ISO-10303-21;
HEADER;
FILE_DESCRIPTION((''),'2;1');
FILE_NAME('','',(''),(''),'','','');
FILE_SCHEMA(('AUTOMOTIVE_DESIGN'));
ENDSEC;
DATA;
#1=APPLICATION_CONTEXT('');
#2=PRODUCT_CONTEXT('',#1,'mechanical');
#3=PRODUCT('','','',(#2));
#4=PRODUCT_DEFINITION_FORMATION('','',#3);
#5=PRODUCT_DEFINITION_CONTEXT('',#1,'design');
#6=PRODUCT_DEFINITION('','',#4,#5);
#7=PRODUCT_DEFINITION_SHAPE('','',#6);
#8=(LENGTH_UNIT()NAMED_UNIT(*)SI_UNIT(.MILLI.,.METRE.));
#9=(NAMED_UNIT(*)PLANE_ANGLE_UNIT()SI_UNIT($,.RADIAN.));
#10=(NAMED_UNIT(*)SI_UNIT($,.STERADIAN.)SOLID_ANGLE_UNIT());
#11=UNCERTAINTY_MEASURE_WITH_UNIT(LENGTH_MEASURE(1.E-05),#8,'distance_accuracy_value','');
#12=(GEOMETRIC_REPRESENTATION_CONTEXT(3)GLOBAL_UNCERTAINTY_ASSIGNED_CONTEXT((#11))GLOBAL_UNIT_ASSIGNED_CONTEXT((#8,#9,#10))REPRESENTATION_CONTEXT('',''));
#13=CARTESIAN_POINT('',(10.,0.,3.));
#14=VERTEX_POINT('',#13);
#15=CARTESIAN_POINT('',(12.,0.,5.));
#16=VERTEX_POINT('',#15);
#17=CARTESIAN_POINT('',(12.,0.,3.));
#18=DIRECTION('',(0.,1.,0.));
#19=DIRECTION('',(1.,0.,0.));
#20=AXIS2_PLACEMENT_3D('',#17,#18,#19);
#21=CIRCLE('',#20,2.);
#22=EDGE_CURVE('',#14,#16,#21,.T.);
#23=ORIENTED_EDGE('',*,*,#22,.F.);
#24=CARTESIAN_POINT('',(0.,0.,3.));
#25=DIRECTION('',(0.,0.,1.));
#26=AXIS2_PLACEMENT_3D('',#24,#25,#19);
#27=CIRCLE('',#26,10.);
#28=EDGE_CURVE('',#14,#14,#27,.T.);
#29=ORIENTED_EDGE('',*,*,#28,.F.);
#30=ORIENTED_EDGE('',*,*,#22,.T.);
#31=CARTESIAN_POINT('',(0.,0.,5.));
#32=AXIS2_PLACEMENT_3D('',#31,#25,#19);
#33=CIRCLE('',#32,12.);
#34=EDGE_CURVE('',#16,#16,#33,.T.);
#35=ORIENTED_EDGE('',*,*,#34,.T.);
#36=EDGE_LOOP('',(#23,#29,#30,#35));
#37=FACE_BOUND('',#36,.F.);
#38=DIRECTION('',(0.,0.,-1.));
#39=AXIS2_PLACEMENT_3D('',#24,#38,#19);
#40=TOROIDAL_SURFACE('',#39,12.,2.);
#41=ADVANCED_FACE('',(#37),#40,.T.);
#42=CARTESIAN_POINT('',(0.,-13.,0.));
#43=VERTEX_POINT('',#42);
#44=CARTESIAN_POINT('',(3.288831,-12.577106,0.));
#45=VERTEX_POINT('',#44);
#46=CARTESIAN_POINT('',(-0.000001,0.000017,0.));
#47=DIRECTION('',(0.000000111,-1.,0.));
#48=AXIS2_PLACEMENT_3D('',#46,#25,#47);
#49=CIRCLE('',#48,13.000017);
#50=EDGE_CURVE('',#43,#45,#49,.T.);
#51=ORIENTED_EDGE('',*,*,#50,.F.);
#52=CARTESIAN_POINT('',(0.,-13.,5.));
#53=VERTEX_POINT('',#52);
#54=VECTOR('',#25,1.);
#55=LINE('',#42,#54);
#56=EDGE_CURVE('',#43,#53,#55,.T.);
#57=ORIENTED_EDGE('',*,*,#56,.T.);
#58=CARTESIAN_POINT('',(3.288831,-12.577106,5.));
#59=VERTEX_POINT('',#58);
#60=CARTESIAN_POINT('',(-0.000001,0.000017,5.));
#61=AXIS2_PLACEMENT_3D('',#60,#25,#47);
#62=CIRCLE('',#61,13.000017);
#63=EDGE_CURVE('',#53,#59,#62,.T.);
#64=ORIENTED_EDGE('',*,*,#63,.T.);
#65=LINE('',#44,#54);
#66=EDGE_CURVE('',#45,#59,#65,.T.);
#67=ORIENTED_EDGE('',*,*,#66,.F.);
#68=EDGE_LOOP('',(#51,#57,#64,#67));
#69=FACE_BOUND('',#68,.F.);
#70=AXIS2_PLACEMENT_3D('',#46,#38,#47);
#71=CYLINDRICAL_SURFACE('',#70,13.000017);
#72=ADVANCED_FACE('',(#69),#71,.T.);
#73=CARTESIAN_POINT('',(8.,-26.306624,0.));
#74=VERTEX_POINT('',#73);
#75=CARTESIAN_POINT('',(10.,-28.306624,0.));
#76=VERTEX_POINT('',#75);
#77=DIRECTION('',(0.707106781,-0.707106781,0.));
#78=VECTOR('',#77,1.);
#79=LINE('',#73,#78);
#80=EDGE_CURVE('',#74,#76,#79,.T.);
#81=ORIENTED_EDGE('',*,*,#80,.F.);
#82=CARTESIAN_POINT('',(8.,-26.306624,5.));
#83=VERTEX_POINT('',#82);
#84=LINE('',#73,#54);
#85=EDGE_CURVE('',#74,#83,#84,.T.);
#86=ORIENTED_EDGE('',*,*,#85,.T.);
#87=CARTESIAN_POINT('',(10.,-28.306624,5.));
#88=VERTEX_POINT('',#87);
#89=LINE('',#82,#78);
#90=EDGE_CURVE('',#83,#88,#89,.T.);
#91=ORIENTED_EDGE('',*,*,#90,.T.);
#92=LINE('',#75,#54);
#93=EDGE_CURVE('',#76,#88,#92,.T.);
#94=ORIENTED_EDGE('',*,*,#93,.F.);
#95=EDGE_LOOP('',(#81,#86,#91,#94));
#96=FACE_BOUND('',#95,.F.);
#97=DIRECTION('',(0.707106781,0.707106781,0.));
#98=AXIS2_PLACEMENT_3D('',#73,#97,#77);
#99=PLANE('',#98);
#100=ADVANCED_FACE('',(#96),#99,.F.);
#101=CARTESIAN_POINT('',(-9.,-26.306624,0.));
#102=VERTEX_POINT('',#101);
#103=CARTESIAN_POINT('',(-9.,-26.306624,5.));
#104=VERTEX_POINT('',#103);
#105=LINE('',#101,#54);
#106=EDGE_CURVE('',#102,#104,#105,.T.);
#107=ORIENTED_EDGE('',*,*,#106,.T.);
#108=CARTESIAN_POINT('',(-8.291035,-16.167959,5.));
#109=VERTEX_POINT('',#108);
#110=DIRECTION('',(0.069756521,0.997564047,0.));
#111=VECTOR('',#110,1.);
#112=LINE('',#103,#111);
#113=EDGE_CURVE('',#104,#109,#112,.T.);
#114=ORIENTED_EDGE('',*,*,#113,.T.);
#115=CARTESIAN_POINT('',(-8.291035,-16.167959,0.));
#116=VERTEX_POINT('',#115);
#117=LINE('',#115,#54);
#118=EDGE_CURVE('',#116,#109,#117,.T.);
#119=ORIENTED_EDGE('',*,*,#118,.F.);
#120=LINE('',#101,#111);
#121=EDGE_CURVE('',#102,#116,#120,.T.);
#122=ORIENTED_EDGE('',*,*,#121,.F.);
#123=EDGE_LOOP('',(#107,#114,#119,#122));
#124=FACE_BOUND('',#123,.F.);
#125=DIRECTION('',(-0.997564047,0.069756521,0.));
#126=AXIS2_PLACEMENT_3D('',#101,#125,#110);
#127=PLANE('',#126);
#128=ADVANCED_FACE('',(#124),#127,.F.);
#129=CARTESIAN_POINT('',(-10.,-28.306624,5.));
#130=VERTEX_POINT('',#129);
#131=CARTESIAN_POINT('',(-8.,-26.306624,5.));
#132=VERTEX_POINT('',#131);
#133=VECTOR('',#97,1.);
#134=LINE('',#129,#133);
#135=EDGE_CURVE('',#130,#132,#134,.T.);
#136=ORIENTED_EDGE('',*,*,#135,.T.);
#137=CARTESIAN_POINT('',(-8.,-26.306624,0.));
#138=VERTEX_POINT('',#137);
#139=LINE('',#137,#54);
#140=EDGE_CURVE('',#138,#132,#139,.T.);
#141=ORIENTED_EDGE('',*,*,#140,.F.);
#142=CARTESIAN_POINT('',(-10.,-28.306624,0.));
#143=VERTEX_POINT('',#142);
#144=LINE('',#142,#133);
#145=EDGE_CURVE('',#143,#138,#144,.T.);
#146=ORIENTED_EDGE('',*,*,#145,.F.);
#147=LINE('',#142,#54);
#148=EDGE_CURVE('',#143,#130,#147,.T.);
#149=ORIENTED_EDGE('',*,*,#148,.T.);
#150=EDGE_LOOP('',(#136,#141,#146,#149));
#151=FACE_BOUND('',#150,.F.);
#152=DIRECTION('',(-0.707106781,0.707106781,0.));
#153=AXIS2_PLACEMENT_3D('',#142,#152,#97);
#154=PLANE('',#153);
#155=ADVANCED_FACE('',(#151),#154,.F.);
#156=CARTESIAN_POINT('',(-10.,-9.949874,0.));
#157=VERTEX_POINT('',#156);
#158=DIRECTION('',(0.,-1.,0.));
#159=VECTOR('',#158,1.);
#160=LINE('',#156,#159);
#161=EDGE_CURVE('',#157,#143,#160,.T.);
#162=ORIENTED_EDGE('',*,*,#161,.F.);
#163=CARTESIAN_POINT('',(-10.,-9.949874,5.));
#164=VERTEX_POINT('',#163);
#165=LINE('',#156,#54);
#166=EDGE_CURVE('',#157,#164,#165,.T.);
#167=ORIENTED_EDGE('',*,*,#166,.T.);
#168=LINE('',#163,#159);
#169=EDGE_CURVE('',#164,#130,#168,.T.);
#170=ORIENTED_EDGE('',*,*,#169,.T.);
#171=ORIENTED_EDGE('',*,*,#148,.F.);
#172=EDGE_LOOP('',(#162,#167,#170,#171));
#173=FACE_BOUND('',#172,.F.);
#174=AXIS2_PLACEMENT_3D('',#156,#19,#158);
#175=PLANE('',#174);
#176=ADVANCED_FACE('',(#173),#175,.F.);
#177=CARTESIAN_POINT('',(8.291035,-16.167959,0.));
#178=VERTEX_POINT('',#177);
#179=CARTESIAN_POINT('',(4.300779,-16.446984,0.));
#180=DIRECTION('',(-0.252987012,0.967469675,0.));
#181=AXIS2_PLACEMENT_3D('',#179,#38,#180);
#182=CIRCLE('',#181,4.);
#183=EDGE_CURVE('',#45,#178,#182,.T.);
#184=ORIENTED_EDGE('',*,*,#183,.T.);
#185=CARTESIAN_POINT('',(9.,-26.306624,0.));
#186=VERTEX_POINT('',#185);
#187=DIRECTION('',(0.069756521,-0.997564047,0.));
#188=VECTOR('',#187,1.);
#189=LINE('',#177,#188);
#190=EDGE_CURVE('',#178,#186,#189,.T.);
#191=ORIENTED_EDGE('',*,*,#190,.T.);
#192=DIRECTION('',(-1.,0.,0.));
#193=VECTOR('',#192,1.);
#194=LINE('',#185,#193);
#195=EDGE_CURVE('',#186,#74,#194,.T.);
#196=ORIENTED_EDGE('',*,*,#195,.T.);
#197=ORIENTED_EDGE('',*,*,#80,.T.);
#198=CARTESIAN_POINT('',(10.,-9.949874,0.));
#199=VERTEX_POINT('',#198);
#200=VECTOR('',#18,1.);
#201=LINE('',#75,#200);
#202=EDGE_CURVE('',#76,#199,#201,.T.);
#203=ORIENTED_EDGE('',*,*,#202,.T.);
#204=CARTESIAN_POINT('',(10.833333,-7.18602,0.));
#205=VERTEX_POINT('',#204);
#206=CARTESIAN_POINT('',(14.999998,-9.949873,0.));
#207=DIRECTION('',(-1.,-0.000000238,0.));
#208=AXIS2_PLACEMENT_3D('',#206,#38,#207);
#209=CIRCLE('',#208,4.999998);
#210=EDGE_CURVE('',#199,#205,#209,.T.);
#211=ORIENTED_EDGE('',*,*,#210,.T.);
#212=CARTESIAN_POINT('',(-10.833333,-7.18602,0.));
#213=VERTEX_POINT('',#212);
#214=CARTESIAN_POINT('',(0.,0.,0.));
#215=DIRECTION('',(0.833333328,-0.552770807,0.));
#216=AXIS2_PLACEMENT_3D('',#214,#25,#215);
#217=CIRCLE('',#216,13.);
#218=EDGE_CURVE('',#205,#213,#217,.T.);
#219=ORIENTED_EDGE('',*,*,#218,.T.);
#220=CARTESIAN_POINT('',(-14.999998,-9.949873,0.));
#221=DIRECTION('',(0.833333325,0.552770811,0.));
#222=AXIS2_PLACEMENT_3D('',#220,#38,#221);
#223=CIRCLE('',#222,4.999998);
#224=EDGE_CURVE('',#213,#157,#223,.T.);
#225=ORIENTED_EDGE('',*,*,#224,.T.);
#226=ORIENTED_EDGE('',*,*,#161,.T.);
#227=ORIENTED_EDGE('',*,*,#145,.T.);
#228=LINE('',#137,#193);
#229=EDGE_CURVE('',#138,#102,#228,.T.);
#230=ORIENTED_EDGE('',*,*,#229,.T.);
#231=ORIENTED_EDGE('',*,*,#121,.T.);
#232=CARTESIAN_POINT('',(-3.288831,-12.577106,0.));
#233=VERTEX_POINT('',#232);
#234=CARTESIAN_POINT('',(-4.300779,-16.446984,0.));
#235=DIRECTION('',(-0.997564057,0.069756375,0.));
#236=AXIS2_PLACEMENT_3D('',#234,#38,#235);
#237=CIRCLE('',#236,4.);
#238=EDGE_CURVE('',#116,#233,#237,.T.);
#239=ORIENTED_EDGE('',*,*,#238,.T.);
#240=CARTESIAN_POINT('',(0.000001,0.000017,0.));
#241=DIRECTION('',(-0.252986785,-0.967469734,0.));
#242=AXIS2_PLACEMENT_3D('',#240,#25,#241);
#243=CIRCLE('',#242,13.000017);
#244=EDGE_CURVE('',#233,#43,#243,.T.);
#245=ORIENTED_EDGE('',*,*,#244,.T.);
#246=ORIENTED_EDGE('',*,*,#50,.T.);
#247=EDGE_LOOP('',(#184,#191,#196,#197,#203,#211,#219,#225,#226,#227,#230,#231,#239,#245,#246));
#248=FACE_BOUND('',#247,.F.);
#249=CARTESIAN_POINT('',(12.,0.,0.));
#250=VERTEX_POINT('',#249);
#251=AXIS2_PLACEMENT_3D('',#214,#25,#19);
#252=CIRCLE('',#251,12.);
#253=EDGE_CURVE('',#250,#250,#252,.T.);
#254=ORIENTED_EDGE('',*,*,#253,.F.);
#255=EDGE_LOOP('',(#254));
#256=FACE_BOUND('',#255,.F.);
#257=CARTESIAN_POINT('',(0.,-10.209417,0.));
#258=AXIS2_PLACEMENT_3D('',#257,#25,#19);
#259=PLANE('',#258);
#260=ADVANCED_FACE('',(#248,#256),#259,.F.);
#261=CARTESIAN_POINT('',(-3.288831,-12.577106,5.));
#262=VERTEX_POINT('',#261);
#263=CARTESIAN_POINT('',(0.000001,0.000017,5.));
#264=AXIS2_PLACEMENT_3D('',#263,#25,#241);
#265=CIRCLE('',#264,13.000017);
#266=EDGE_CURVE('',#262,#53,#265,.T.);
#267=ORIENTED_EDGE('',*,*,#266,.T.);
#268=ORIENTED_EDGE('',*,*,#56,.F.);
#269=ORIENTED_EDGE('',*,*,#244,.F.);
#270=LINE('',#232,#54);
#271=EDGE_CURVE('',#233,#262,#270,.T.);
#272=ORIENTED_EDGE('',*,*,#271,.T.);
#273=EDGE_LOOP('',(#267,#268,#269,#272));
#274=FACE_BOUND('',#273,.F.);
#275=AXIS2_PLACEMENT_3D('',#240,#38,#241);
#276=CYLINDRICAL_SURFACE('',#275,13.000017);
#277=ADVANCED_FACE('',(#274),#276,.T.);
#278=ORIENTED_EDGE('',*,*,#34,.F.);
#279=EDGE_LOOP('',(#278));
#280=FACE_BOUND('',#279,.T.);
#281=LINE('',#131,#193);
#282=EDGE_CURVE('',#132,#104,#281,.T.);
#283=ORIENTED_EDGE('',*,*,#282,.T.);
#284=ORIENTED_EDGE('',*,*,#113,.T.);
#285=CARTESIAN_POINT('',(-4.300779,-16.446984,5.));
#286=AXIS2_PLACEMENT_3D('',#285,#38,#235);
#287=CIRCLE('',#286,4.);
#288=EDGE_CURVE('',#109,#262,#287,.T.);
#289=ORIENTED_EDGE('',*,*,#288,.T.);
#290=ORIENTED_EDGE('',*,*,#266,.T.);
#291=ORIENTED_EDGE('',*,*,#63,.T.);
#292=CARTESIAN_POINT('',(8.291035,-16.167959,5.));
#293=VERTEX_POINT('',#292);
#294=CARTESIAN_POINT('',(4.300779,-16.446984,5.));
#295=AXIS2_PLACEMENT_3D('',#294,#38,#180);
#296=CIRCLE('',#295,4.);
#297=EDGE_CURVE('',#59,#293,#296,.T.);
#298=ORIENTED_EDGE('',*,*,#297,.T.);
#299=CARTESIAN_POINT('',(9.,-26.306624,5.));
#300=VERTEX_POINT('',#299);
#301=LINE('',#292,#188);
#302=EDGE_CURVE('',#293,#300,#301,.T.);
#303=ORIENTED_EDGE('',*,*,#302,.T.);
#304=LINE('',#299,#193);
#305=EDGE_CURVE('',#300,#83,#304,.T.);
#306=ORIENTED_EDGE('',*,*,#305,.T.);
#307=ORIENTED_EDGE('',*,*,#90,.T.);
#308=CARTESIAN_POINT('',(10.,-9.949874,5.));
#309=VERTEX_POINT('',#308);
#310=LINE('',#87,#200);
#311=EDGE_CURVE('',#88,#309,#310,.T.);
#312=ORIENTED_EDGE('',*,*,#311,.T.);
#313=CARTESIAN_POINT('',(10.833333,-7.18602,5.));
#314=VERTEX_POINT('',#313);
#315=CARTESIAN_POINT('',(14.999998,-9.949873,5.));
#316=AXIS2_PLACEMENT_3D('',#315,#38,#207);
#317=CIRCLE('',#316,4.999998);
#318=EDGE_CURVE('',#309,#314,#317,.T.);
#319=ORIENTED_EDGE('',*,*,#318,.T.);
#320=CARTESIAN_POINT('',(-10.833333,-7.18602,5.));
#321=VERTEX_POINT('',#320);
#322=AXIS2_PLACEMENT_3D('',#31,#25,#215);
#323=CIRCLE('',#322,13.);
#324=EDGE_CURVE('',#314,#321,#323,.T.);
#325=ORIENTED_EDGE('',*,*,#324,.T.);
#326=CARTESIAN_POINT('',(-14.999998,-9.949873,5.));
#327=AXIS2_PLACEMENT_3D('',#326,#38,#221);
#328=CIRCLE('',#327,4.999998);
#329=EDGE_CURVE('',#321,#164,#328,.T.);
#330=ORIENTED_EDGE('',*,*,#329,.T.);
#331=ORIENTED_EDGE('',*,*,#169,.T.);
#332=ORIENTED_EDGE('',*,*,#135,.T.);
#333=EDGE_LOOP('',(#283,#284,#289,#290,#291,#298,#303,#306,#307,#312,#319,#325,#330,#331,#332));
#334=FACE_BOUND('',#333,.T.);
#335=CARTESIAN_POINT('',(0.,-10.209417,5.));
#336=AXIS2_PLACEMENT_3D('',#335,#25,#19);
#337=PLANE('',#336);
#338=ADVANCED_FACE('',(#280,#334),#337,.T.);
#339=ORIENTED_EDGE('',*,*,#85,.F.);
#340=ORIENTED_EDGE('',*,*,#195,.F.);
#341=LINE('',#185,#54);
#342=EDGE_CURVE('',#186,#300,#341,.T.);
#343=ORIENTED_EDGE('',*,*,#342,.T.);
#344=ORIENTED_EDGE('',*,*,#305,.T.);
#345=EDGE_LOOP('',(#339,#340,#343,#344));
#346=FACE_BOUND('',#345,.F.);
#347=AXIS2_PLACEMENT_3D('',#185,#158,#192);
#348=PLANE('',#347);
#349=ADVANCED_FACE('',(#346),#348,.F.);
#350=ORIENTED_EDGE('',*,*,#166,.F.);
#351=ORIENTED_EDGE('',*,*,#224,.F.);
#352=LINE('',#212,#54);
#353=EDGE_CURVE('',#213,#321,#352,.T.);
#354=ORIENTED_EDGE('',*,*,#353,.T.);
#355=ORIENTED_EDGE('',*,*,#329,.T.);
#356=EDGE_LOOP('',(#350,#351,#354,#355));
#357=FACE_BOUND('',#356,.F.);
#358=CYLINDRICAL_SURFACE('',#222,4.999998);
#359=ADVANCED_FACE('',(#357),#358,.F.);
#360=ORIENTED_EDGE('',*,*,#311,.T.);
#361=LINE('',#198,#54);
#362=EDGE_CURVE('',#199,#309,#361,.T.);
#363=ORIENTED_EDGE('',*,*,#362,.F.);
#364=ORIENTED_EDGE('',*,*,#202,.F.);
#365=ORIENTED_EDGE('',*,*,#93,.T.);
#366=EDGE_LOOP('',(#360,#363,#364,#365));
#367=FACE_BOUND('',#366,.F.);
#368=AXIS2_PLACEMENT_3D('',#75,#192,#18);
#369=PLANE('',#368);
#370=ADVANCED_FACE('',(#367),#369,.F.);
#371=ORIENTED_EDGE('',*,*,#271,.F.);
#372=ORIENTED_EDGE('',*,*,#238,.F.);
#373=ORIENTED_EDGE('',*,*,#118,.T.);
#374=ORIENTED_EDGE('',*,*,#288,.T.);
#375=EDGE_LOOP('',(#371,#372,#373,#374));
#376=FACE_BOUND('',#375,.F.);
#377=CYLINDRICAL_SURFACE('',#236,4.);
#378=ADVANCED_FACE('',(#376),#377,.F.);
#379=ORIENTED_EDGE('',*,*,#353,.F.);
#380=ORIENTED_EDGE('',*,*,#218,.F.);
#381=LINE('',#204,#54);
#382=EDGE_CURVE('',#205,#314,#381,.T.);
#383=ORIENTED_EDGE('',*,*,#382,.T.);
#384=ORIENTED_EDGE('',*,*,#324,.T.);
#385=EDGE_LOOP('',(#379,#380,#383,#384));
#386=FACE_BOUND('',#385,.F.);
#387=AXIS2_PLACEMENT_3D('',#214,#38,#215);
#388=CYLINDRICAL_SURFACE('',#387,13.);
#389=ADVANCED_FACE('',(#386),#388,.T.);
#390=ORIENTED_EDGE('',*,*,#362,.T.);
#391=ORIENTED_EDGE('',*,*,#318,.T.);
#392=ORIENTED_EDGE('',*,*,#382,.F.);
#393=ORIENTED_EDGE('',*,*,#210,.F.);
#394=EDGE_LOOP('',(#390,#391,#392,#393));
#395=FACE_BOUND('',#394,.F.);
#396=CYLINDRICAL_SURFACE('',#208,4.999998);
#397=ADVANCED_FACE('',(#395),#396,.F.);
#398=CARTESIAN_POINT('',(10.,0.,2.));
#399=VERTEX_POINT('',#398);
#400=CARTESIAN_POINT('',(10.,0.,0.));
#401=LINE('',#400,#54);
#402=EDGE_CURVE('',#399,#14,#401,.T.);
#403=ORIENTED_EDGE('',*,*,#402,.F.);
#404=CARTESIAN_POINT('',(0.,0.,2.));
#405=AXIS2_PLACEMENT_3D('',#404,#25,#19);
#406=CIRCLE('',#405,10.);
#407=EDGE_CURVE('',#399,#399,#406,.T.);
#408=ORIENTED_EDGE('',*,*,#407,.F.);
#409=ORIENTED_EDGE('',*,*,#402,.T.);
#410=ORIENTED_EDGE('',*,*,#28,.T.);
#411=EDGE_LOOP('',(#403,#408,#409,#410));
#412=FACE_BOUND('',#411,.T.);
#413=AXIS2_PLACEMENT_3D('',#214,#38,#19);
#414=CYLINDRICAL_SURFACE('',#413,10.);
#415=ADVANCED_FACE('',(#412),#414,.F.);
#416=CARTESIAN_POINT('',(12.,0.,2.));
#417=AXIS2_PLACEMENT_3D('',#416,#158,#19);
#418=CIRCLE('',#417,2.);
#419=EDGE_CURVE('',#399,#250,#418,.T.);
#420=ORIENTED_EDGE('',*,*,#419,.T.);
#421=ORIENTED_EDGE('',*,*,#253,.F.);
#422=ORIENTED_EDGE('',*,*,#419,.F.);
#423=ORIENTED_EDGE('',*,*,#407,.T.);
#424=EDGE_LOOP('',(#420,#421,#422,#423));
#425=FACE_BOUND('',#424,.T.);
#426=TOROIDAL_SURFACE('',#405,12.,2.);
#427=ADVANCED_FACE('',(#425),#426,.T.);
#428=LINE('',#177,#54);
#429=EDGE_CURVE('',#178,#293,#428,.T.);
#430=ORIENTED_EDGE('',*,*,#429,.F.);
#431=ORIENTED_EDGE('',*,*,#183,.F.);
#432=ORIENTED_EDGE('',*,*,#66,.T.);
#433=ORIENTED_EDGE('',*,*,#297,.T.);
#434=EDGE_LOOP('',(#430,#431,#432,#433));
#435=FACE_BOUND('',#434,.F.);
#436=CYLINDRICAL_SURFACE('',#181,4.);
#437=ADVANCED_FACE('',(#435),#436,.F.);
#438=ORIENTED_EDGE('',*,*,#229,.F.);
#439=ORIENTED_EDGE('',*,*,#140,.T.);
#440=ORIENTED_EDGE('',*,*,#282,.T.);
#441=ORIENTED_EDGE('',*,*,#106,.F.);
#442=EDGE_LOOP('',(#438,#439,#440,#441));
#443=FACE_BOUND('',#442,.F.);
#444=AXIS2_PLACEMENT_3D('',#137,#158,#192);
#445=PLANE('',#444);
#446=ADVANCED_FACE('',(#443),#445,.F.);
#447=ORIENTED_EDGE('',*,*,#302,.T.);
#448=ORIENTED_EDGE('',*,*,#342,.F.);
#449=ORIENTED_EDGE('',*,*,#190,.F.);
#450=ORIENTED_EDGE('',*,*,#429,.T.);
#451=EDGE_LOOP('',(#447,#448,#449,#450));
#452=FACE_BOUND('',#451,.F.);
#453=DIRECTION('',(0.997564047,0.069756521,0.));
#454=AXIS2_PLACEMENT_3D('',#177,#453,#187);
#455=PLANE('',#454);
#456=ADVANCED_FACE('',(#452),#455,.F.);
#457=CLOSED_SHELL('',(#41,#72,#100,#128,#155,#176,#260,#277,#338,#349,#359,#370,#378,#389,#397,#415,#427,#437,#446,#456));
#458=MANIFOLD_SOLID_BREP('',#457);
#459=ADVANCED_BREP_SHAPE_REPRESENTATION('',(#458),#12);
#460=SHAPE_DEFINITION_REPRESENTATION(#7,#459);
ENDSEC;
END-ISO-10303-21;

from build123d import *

# Parameters (mm, degrees)
F0_R     = 10
F1_DEPTH = 5
F2_R     = 2


with BuildPart() as f1:
    # F0 (on Top) → F1 (new body)
    with BuildSketch(Plane.XY):
        with BuildLine():
            ThreePointArc((-8.291035, -16.167959), (-6.633403, -13.197544), (-3.288831, -12.577106))
            ThreePointArc((-3.288831, -12.577106), (-1.657954, -12.893843), (0, -13))
            ThreePointArc((0, -13), (1.657954, -12.893843), (3.288831, -12.577106))
            ThreePointArc((3.288831, -12.577106), (6.633403, -13.197544), (8.291035, -16.167959))
            Line((8.291035, -16.167959), (9, -26.306624))
            Line((9, -26.306624), (8, -26.306624))
            Line((8, -26.306624), (10, -28.306624))
            Line((10, -28.306624), (10, -9.949874))
            ThreePointArc((10, -9.949874), (10.212864, -8.506499), (10.833333, -7.18602))
            ThreePointArc((10.833333, -7.18602), (0, 13), (-10.833333, -7.18602))
            ThreePointArc((-10.833333, -7.18602), (-10.212864, -8.506499), (-10, -9.949874))
            Line((-10, -9.949874), (-10, -28.306624))
            Line((-10, -28.306624), (-8, -26.306624))
            Line((-8, -26.306624), (-9, -26.306624))
            Line((-9, -26.306624), (-8.291035, -16.167959))
        make_face()
        Circle(F0_R, mode=Mode.SUBTRACT)
    extrude(amount=F1_DEPTH)

    # F2
    f2_edges = [f1.edges().sort_by_distance(p)[0] for p in [
        (-10, 0, 0),
        (-10, 0, 5),
    ]]
    fillet(f2_edges, radius=F2_R)


solid = f1.part
